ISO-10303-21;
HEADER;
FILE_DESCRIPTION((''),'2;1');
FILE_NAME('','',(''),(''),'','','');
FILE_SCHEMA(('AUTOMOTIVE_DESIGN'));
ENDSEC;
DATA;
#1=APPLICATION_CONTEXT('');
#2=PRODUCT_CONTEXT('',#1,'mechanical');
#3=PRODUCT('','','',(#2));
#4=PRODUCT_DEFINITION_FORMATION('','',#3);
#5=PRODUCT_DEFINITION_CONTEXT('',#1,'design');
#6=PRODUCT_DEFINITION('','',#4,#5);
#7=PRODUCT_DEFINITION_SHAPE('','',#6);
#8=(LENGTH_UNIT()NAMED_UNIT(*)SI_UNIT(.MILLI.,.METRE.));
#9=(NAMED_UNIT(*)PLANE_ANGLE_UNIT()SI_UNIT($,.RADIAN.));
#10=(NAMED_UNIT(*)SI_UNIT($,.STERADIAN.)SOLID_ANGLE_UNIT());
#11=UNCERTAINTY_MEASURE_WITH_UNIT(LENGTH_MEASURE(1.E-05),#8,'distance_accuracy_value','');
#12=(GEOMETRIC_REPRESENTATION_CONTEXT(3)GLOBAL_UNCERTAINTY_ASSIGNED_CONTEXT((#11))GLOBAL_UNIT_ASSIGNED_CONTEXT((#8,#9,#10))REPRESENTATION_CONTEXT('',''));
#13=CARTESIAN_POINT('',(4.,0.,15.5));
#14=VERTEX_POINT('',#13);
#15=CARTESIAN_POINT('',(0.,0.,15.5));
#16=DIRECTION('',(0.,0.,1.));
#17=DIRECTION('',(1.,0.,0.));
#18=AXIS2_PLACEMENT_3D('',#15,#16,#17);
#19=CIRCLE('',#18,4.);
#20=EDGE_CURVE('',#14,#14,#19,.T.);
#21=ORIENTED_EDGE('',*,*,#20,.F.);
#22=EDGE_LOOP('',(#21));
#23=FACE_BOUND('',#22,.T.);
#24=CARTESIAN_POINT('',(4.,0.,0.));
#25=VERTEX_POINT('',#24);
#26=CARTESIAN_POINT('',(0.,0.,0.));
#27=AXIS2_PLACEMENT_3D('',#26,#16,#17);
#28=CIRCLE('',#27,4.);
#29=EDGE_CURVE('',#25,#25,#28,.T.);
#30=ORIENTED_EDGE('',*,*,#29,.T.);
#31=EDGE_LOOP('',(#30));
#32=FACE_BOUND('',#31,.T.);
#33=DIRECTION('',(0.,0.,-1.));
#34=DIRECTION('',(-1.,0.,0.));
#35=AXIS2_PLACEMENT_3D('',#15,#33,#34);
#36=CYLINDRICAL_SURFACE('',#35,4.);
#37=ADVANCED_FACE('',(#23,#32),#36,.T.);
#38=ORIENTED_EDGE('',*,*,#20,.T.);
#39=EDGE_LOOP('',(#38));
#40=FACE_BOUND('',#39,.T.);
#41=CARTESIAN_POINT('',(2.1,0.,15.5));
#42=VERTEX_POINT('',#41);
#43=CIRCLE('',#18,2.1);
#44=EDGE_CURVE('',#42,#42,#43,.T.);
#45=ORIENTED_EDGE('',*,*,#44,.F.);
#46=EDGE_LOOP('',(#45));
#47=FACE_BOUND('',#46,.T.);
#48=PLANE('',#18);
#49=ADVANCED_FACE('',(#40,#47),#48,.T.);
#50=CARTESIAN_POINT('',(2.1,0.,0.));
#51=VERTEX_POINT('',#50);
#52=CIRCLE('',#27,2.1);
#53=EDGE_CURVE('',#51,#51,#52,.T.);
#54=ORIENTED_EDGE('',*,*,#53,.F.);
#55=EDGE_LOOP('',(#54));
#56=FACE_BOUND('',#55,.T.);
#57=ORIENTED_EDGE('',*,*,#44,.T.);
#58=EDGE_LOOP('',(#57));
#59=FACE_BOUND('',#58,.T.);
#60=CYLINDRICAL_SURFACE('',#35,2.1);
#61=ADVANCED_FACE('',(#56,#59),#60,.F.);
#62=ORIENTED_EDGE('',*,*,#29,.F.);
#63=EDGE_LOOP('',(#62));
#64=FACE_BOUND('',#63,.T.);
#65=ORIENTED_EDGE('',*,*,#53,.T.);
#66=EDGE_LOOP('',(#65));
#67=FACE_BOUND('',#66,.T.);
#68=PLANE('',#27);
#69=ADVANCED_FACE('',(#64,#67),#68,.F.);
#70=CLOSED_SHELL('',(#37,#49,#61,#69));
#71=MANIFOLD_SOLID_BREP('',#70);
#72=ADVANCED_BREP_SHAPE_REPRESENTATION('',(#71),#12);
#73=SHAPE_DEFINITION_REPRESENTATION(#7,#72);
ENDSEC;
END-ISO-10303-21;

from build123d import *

# Parameters (mm, degrees)
SKETCH_1_R      = 4
SKETCH_1_R_2    = 2.1
EXTRUDE_1_DEPTH = 15.5


with BuildPart() as part:
    # ｽｹｯﾁ1 → ﾎﾞｽ - 押し出し1 (new body)
    with BuildSketch(Plane.XY):
        Circle(SKETCH_1_R)
        Circle(SKETCH_1_R_2, mode=Mode.SUBTRACT)
    extrude(amount=EXTRUDE_1_DEPTH)


solid = part.part
